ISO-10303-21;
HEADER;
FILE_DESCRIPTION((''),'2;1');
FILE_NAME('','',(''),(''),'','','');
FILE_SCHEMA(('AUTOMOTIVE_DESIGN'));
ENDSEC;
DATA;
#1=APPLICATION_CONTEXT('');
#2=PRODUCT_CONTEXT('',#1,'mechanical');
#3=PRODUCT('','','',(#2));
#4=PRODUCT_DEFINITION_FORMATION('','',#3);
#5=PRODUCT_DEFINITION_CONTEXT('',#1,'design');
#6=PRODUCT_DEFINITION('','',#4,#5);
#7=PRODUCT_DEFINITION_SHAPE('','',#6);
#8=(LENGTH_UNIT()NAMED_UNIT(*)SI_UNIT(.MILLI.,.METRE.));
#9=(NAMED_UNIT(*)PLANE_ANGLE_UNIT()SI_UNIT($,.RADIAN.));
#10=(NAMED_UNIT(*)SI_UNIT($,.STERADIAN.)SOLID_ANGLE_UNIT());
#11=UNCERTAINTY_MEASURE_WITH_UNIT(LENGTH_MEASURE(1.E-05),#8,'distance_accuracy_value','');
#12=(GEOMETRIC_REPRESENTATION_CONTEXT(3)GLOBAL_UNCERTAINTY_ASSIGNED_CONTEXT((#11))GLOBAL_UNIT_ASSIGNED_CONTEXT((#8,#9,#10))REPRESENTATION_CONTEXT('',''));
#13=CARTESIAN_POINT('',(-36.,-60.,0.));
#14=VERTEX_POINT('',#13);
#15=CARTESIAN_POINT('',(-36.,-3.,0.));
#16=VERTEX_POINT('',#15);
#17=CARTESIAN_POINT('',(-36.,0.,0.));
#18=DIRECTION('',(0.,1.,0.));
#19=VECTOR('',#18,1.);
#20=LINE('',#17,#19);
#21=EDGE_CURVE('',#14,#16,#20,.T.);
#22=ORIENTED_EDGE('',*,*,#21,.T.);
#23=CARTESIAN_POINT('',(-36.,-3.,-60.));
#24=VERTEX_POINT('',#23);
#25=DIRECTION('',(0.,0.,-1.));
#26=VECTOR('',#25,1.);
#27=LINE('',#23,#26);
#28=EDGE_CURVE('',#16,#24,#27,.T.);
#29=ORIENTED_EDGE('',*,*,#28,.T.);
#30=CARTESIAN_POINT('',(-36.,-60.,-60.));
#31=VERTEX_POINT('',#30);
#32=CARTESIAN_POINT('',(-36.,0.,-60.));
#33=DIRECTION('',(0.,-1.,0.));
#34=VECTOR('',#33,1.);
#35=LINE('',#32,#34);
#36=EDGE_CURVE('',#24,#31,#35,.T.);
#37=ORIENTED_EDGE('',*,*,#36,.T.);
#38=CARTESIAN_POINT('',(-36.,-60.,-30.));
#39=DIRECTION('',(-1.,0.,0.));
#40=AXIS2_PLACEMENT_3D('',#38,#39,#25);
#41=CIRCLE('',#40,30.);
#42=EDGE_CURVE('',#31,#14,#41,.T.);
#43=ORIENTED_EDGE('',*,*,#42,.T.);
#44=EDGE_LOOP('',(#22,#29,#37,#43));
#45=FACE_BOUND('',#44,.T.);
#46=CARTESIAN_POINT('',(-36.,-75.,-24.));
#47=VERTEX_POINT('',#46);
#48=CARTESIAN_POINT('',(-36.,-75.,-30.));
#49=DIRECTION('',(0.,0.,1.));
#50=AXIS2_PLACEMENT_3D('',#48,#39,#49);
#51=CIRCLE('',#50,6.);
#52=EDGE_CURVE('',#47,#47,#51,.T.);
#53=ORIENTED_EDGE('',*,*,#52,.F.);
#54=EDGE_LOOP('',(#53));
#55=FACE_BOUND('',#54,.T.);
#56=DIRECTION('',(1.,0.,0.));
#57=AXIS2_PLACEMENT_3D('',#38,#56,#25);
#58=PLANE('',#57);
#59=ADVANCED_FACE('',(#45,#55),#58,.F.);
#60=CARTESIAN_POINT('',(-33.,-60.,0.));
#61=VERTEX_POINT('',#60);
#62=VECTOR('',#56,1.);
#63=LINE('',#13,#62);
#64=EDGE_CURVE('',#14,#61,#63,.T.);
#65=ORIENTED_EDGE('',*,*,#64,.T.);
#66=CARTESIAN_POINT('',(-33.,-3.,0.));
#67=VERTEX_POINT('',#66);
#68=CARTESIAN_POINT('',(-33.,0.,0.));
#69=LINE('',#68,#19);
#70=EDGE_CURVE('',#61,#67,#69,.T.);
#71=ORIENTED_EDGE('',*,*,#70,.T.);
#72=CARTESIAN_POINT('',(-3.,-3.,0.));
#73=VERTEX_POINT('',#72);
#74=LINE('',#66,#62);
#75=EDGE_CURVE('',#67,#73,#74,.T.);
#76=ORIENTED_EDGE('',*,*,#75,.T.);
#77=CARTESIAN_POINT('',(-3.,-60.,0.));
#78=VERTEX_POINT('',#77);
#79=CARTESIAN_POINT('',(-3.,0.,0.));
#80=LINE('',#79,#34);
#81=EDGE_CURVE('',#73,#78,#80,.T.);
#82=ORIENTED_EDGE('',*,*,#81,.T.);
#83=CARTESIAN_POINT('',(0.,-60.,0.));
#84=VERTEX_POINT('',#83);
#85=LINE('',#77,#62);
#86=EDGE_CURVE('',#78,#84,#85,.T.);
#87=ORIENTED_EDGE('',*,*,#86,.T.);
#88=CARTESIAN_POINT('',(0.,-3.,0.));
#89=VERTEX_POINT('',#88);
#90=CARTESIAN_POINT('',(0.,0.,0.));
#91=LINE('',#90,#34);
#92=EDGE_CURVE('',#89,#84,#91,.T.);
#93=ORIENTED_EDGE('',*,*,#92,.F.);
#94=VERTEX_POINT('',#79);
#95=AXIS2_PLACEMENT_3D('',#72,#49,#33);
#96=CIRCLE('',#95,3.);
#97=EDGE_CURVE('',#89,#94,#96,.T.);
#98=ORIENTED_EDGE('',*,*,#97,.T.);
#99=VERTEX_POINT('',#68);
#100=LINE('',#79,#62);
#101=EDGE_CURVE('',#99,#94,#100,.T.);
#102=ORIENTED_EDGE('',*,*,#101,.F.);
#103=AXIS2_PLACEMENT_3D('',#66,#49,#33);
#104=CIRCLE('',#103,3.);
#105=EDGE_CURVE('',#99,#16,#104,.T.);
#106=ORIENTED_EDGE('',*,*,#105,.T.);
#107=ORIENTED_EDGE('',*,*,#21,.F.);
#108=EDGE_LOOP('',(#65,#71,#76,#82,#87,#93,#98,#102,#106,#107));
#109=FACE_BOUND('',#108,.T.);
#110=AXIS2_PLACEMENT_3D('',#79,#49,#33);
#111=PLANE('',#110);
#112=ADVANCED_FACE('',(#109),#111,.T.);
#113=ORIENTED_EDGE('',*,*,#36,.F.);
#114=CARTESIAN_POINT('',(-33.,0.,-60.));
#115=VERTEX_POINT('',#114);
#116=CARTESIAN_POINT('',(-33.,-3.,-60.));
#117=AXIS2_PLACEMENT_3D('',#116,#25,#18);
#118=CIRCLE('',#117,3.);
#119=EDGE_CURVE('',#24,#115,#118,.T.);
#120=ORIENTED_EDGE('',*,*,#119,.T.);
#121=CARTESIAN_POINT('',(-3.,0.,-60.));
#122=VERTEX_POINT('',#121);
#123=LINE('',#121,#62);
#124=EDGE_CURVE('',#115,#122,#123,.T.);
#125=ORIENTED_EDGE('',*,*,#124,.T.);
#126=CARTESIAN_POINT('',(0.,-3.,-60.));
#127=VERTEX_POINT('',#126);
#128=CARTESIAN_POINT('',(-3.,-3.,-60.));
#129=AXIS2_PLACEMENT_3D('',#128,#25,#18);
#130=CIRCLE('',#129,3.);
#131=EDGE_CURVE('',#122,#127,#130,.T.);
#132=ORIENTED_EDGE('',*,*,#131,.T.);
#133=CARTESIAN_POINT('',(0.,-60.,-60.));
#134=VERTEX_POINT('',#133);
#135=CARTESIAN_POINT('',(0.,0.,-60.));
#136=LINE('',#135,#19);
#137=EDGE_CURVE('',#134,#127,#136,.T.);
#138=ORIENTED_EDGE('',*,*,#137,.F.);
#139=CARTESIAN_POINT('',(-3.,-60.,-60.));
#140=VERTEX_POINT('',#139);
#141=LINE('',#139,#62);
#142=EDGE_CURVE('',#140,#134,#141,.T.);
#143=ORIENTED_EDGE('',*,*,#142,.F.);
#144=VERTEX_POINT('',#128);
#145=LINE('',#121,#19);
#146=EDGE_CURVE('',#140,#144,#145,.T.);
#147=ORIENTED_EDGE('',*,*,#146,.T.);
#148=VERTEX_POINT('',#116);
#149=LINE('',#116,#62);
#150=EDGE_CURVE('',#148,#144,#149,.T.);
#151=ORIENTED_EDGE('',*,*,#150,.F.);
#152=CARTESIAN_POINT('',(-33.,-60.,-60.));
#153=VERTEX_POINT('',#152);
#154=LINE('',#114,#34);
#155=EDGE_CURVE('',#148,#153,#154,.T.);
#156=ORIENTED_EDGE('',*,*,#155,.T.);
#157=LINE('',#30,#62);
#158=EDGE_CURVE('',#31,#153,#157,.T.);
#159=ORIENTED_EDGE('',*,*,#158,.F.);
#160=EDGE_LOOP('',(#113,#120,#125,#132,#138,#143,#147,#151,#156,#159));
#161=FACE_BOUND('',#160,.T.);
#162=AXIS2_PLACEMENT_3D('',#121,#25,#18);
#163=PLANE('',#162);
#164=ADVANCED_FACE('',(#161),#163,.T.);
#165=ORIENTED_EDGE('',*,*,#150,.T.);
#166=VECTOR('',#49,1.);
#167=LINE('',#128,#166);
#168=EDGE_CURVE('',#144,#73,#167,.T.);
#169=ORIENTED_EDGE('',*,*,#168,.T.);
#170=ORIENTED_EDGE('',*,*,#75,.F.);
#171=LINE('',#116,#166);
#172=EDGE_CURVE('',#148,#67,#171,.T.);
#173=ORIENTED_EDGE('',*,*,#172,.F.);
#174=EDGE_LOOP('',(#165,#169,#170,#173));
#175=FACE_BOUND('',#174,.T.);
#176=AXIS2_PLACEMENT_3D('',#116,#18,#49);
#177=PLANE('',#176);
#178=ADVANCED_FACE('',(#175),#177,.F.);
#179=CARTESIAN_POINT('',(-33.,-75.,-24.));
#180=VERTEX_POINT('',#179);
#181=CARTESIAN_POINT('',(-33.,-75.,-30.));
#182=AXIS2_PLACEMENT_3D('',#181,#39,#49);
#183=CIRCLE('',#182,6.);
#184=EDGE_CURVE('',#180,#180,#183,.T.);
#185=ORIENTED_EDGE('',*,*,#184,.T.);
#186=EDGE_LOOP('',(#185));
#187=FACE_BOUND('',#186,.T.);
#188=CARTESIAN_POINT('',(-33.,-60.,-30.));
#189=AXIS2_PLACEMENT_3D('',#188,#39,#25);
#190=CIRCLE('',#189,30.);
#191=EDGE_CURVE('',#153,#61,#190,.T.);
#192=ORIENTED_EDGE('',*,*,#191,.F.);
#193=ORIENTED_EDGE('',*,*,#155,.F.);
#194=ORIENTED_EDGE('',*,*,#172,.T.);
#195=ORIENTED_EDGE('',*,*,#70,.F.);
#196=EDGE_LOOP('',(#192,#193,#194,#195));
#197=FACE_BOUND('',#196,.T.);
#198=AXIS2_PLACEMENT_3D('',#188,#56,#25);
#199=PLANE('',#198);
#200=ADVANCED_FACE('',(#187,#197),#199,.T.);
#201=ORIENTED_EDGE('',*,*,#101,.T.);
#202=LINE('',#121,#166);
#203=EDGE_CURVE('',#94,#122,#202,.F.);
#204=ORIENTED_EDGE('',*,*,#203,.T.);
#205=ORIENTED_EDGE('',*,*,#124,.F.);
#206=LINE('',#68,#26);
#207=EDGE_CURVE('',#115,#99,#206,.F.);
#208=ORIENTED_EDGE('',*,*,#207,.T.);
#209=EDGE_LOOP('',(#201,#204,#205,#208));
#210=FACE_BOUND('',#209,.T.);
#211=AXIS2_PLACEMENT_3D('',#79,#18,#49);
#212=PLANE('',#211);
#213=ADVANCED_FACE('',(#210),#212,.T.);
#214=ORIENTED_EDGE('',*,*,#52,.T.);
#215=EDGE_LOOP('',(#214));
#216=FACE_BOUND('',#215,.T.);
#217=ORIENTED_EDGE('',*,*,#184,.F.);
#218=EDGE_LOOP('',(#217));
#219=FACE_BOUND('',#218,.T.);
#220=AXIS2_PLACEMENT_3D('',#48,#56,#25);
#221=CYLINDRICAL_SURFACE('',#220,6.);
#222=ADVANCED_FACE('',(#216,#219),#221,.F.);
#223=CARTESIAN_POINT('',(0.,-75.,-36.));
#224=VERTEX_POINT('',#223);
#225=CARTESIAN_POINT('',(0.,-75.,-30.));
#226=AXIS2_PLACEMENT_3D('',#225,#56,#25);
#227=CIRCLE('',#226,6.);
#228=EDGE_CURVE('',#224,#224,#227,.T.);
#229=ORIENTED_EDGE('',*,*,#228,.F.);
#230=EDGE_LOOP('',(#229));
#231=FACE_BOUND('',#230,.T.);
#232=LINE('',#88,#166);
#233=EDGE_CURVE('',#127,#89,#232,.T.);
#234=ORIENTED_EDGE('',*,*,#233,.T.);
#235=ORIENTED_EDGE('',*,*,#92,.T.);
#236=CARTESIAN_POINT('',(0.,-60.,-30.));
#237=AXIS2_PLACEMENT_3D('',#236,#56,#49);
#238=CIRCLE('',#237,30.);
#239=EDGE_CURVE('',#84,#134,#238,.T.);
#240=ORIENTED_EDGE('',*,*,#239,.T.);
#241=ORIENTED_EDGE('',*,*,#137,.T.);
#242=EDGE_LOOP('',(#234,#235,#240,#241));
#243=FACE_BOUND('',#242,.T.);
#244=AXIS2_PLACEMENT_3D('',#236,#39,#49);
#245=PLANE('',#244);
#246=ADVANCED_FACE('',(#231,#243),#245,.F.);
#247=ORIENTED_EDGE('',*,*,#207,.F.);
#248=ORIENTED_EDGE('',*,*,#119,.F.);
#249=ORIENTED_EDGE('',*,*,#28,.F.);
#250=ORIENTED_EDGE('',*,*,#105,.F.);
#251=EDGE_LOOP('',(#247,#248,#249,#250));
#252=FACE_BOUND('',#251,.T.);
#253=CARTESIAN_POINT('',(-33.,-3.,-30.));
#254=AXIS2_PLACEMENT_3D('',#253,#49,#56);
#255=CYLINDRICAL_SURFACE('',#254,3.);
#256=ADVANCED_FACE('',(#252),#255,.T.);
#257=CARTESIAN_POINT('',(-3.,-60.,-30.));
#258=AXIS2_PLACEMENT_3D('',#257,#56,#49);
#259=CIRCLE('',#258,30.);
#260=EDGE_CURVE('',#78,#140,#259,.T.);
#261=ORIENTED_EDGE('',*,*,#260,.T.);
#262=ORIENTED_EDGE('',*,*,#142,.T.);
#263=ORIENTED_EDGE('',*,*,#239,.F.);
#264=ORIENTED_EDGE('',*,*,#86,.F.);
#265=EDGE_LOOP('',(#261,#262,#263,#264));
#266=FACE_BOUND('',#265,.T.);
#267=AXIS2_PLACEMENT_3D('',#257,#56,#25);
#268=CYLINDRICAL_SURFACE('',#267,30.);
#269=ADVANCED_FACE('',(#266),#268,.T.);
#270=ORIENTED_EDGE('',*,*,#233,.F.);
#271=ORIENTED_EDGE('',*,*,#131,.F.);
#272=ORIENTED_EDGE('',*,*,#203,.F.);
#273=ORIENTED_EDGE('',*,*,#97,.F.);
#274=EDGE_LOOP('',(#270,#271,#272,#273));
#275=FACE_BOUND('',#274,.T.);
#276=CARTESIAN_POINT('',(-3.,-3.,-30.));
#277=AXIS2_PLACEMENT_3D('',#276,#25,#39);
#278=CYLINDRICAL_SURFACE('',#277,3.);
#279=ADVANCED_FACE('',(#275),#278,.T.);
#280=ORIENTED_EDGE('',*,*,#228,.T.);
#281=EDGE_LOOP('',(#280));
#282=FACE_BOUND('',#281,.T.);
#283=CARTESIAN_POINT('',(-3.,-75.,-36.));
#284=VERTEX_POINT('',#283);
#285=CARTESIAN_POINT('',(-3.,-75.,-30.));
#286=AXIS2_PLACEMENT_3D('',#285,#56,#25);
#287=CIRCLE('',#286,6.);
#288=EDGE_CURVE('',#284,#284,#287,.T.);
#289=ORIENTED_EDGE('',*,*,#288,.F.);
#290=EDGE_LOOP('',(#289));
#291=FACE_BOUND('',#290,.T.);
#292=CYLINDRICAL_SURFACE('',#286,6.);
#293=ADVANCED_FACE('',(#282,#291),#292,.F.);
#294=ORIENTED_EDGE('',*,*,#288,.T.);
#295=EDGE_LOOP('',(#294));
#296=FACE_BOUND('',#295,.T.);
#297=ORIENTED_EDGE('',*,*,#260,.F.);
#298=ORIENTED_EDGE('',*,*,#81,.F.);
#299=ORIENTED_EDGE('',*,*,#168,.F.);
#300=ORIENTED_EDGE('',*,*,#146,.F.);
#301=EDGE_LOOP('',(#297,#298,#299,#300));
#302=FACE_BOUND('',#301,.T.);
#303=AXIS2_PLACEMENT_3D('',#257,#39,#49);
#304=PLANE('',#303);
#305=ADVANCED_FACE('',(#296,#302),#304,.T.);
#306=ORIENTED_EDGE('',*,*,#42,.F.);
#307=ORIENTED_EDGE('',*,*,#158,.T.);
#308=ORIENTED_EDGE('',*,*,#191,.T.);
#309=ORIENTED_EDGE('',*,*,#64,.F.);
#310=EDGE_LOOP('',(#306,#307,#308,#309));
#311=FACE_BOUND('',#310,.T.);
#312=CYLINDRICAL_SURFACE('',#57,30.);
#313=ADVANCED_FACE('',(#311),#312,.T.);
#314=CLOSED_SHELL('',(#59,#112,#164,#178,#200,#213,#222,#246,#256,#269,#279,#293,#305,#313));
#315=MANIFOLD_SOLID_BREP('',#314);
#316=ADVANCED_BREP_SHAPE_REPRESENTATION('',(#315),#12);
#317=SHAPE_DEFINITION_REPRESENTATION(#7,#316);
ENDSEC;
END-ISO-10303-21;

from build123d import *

# Parameters (mm, degrees)
SKETCH1_R           = 6
BOSS_EXTRUDE1_DEPTH = 3
SKETCH2_W           = 60
SKETCH2_H           = 3
BOSS_EXTRUDE2_DEPTH = 30
SKETCH3_R           = 6
BOSS_EXTRUDE4_DEPTH = 3
FILLET1_R           = 3


with BuildPart() as part:
    # Sketch1 → Boss-Extrude1 (new body)
    with BuildSketch(Plane(origin=(0, 0, 0), x_dir=(0, 0, -1), z_dir=(1, 0, 0))):
        with BuildLine():
            Line((0, 0), (60, 0))
            Line((60, 0), (60, -60))
            ThreePointArc((60, -60), (30, -90), (0, -60))
            Line((0, -60), (0, 0))
        make_face()
        with Locations((30, -75)):
            Circle(SKETCH1_R, mode=Mode.SUBTRACT)
    extrude(amount=-BOSS_EXTRUDE1_DEPTH)

    # Sketch2 → Boss-Extrude2 (add)
    with BuildSketch(Plane.ZY.offset(3)):
        with Locations((-30, -1.5)):
            Rectangle(SKETCH2_W, SKETCH2_H)
    extrude(amount=BOSS_EXTRUDE2_DEPTH)

    # Sketch3 → Boss-Extrude4 (add)
    with BuildSketch(Plane.ZY.offset(33)):
        with BuildLine():
            Line((-60, 0), (0, 0))
            Line((0, 0), (0, -60))
            ThreePointArc((0, -60), (-30, -90), (-60, -60))
            Line((-60, -60), (-60, 0))
        make_face()
        with Locations((-30, -75)):
            Circle(SKETCH3_R, mode=Mode.SUBTRACT)
    extrude(amount=BOSS_EXTRUDE4_DEPTH)

    # Fillet1
    fillet1_edges = [part.edges().sort_by_distance(p)[0] for p in [
        (-36, 0, -30),
        (0, 0, -30),
    ]]
    fillet(fillet1_edges, radius=FILLET1_R)


solid = part.part
